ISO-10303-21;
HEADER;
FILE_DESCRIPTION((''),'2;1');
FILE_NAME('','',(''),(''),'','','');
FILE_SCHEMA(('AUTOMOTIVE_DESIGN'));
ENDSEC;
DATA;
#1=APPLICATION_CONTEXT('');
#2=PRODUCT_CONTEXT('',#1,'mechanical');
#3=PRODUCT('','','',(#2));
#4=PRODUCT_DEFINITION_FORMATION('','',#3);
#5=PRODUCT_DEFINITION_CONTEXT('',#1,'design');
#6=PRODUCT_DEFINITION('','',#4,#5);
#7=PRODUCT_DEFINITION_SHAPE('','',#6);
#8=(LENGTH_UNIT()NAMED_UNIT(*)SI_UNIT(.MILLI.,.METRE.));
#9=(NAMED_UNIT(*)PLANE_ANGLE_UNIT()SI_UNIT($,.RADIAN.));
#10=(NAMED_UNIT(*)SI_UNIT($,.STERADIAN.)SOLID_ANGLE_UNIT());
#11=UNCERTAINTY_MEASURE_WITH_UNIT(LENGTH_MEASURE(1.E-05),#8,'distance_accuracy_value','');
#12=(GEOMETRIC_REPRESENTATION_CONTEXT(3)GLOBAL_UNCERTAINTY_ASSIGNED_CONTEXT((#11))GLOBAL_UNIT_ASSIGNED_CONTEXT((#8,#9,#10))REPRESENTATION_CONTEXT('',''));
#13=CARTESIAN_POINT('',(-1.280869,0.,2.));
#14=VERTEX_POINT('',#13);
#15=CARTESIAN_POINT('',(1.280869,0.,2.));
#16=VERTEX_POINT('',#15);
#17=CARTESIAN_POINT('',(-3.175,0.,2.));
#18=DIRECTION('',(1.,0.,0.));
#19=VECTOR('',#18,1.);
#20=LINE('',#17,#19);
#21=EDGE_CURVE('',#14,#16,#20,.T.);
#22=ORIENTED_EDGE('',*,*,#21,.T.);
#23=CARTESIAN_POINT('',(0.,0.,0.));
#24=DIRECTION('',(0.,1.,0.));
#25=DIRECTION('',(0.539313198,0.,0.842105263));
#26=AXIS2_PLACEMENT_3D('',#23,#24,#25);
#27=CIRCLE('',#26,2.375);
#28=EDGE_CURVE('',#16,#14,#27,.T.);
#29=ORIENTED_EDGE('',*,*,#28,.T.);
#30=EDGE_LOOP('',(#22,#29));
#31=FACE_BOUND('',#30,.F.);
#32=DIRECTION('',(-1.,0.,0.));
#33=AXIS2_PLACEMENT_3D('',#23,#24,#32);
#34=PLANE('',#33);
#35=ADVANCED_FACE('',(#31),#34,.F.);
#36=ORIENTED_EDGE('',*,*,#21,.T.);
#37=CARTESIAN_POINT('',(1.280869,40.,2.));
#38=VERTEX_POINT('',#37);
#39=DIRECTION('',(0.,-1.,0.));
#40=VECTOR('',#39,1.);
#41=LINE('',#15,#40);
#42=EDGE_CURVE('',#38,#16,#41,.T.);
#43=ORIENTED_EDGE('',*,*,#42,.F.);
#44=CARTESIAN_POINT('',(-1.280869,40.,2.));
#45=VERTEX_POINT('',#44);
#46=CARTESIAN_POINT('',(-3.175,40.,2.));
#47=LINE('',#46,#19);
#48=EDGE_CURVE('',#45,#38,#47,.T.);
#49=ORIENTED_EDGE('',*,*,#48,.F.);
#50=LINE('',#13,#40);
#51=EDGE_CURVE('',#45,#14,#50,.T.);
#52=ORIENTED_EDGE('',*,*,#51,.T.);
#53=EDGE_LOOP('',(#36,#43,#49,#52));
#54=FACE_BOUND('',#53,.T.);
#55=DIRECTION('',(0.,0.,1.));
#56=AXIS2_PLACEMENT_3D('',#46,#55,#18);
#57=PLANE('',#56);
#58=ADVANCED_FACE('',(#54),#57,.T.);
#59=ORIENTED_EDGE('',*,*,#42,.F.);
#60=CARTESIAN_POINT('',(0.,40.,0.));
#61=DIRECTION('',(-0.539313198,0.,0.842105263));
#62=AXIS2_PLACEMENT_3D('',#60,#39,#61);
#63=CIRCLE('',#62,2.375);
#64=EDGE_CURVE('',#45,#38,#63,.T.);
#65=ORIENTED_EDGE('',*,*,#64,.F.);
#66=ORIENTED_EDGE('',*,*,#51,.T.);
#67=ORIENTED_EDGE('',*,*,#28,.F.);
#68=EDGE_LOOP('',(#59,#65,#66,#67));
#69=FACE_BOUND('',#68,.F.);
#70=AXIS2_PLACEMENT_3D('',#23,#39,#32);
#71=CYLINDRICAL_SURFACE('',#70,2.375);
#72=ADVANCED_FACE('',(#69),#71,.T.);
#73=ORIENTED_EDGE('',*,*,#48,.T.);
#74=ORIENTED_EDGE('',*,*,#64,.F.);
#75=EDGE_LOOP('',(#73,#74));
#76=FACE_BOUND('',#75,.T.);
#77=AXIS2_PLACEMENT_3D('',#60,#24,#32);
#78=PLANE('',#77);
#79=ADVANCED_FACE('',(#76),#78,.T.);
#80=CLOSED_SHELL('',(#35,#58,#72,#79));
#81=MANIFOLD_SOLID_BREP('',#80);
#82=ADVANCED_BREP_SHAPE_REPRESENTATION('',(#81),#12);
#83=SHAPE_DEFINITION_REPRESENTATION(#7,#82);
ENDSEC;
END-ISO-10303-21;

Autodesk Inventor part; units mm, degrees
ref_plane "YZ Plane" through (0, 0, 0) normal (1, 0, 0) x (0, 1, 0)
ref_plane "XZ Plane" through (0, 0, 0) normal (0, 1, 0) x (-1, 0, 0)
ref_plane "XY Plane" through (0, 0, 0) normal (0, 0, 1) x (1, 0, 0)
sketch "Sketch1" plane through (0, 0, 0) normal (0, 1, 0) x (-1, 0, 0)
  circle A0 centre (0, 0) radius 2.375
  dimension "d0" = 4.75
extrude "Extrusion1" add sketch "Sketch1" along normal blind 40
sketch "Sketch2" plane through (0, 40, 0) normal (0, 1, 0) x (1, 0, 0)
  line L0 (-3.175, -2) -> (4.7625, -2)
  line L1 (4.7625, -2) -> (4.7625, -4.7625)
  line L2 (4.7625, -4.7625) -> (-3.175, -4.7625)
  line L3 (-3.175, -4.7625) -> (-3.175, -2)
  point P0 (0, 0)
extrude "Extrusion2" cut sketch "Sketch2" against normal blind 40
properties part number "stepperRod"
